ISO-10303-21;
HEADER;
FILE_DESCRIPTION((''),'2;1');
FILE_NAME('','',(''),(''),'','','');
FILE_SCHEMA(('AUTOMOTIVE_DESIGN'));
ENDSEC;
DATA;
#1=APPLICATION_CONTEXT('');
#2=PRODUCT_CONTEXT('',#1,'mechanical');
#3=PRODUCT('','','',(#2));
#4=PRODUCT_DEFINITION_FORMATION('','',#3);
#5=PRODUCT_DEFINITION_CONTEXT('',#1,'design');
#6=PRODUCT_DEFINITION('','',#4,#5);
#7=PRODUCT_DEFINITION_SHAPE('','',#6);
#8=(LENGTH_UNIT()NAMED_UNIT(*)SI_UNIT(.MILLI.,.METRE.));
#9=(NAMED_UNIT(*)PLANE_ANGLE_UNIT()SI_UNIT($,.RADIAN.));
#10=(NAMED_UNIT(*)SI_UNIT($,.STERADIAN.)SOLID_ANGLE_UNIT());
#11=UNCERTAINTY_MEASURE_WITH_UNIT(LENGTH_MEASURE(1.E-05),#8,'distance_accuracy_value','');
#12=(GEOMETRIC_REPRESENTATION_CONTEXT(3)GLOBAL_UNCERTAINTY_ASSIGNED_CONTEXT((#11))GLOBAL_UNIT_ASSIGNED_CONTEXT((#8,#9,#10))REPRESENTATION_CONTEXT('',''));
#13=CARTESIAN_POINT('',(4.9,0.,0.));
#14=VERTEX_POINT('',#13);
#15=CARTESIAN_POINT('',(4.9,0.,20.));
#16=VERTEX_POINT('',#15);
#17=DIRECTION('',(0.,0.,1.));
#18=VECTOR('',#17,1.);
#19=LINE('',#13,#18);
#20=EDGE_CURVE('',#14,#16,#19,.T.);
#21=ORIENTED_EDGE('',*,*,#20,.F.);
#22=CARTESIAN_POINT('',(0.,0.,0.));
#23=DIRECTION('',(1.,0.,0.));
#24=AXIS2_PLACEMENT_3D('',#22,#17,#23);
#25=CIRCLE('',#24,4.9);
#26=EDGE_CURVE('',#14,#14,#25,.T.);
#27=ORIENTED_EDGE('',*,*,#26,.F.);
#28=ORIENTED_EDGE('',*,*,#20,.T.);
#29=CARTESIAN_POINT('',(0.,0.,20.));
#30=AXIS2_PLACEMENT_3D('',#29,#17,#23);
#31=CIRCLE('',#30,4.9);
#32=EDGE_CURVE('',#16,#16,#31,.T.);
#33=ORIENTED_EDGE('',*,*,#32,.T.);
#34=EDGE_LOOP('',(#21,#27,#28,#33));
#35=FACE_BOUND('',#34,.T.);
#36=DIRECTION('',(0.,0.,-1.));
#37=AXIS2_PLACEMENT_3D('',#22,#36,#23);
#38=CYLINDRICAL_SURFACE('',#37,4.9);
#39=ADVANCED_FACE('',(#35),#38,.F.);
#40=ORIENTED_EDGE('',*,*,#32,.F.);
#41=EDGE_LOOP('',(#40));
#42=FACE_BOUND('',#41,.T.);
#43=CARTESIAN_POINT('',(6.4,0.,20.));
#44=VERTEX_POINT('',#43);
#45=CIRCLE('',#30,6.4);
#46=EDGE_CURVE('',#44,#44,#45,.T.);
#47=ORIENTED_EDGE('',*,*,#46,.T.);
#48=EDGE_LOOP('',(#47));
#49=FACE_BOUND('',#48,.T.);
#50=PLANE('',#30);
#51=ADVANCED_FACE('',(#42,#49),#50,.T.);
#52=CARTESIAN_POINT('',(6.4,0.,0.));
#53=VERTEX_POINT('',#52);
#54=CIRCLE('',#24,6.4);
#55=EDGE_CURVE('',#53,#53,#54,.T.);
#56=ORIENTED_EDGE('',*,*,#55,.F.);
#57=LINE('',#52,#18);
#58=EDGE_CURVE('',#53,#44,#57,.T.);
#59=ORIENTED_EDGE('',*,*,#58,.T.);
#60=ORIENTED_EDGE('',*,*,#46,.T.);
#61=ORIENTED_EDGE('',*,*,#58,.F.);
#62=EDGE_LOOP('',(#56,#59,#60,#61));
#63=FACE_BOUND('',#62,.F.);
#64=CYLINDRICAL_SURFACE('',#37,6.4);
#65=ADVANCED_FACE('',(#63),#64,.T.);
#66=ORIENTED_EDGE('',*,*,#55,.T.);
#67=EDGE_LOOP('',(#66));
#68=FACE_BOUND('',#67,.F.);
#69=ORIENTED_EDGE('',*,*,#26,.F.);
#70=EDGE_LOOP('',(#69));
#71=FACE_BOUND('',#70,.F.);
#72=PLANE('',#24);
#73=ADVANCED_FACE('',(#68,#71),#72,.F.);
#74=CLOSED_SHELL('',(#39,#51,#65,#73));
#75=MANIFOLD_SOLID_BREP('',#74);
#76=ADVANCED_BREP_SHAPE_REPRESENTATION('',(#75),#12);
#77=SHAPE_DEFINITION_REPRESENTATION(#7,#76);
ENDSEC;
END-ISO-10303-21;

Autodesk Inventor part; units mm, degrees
ref_plane "YZ Plane" through (0, 0, 0) normal (1, 0, 0) x (0, 1, 0)
ref_plane "XZ Plane" through (0, 0, 0) normal (0, 1, 0) x (-1, 0, 0)
ref_plane "XY Plane" through (0, 0, 0) normal (0, 0, 1) x (1, 0, 0)
sketch "Sketch1" plane through (0, 0, 0) normal (0, 0, 1) x (1, 0, 0)
  circle A0 centre (0, 0) radius 6.4
  circle A1 centre (0, 0) radius 4.9
  dimension "d0" = 12.8
  dimension "d1" = 1.5
extrude "Extrusion1" add sketch "Sketch1" along normal blind 20
properties part number "Resorte"
